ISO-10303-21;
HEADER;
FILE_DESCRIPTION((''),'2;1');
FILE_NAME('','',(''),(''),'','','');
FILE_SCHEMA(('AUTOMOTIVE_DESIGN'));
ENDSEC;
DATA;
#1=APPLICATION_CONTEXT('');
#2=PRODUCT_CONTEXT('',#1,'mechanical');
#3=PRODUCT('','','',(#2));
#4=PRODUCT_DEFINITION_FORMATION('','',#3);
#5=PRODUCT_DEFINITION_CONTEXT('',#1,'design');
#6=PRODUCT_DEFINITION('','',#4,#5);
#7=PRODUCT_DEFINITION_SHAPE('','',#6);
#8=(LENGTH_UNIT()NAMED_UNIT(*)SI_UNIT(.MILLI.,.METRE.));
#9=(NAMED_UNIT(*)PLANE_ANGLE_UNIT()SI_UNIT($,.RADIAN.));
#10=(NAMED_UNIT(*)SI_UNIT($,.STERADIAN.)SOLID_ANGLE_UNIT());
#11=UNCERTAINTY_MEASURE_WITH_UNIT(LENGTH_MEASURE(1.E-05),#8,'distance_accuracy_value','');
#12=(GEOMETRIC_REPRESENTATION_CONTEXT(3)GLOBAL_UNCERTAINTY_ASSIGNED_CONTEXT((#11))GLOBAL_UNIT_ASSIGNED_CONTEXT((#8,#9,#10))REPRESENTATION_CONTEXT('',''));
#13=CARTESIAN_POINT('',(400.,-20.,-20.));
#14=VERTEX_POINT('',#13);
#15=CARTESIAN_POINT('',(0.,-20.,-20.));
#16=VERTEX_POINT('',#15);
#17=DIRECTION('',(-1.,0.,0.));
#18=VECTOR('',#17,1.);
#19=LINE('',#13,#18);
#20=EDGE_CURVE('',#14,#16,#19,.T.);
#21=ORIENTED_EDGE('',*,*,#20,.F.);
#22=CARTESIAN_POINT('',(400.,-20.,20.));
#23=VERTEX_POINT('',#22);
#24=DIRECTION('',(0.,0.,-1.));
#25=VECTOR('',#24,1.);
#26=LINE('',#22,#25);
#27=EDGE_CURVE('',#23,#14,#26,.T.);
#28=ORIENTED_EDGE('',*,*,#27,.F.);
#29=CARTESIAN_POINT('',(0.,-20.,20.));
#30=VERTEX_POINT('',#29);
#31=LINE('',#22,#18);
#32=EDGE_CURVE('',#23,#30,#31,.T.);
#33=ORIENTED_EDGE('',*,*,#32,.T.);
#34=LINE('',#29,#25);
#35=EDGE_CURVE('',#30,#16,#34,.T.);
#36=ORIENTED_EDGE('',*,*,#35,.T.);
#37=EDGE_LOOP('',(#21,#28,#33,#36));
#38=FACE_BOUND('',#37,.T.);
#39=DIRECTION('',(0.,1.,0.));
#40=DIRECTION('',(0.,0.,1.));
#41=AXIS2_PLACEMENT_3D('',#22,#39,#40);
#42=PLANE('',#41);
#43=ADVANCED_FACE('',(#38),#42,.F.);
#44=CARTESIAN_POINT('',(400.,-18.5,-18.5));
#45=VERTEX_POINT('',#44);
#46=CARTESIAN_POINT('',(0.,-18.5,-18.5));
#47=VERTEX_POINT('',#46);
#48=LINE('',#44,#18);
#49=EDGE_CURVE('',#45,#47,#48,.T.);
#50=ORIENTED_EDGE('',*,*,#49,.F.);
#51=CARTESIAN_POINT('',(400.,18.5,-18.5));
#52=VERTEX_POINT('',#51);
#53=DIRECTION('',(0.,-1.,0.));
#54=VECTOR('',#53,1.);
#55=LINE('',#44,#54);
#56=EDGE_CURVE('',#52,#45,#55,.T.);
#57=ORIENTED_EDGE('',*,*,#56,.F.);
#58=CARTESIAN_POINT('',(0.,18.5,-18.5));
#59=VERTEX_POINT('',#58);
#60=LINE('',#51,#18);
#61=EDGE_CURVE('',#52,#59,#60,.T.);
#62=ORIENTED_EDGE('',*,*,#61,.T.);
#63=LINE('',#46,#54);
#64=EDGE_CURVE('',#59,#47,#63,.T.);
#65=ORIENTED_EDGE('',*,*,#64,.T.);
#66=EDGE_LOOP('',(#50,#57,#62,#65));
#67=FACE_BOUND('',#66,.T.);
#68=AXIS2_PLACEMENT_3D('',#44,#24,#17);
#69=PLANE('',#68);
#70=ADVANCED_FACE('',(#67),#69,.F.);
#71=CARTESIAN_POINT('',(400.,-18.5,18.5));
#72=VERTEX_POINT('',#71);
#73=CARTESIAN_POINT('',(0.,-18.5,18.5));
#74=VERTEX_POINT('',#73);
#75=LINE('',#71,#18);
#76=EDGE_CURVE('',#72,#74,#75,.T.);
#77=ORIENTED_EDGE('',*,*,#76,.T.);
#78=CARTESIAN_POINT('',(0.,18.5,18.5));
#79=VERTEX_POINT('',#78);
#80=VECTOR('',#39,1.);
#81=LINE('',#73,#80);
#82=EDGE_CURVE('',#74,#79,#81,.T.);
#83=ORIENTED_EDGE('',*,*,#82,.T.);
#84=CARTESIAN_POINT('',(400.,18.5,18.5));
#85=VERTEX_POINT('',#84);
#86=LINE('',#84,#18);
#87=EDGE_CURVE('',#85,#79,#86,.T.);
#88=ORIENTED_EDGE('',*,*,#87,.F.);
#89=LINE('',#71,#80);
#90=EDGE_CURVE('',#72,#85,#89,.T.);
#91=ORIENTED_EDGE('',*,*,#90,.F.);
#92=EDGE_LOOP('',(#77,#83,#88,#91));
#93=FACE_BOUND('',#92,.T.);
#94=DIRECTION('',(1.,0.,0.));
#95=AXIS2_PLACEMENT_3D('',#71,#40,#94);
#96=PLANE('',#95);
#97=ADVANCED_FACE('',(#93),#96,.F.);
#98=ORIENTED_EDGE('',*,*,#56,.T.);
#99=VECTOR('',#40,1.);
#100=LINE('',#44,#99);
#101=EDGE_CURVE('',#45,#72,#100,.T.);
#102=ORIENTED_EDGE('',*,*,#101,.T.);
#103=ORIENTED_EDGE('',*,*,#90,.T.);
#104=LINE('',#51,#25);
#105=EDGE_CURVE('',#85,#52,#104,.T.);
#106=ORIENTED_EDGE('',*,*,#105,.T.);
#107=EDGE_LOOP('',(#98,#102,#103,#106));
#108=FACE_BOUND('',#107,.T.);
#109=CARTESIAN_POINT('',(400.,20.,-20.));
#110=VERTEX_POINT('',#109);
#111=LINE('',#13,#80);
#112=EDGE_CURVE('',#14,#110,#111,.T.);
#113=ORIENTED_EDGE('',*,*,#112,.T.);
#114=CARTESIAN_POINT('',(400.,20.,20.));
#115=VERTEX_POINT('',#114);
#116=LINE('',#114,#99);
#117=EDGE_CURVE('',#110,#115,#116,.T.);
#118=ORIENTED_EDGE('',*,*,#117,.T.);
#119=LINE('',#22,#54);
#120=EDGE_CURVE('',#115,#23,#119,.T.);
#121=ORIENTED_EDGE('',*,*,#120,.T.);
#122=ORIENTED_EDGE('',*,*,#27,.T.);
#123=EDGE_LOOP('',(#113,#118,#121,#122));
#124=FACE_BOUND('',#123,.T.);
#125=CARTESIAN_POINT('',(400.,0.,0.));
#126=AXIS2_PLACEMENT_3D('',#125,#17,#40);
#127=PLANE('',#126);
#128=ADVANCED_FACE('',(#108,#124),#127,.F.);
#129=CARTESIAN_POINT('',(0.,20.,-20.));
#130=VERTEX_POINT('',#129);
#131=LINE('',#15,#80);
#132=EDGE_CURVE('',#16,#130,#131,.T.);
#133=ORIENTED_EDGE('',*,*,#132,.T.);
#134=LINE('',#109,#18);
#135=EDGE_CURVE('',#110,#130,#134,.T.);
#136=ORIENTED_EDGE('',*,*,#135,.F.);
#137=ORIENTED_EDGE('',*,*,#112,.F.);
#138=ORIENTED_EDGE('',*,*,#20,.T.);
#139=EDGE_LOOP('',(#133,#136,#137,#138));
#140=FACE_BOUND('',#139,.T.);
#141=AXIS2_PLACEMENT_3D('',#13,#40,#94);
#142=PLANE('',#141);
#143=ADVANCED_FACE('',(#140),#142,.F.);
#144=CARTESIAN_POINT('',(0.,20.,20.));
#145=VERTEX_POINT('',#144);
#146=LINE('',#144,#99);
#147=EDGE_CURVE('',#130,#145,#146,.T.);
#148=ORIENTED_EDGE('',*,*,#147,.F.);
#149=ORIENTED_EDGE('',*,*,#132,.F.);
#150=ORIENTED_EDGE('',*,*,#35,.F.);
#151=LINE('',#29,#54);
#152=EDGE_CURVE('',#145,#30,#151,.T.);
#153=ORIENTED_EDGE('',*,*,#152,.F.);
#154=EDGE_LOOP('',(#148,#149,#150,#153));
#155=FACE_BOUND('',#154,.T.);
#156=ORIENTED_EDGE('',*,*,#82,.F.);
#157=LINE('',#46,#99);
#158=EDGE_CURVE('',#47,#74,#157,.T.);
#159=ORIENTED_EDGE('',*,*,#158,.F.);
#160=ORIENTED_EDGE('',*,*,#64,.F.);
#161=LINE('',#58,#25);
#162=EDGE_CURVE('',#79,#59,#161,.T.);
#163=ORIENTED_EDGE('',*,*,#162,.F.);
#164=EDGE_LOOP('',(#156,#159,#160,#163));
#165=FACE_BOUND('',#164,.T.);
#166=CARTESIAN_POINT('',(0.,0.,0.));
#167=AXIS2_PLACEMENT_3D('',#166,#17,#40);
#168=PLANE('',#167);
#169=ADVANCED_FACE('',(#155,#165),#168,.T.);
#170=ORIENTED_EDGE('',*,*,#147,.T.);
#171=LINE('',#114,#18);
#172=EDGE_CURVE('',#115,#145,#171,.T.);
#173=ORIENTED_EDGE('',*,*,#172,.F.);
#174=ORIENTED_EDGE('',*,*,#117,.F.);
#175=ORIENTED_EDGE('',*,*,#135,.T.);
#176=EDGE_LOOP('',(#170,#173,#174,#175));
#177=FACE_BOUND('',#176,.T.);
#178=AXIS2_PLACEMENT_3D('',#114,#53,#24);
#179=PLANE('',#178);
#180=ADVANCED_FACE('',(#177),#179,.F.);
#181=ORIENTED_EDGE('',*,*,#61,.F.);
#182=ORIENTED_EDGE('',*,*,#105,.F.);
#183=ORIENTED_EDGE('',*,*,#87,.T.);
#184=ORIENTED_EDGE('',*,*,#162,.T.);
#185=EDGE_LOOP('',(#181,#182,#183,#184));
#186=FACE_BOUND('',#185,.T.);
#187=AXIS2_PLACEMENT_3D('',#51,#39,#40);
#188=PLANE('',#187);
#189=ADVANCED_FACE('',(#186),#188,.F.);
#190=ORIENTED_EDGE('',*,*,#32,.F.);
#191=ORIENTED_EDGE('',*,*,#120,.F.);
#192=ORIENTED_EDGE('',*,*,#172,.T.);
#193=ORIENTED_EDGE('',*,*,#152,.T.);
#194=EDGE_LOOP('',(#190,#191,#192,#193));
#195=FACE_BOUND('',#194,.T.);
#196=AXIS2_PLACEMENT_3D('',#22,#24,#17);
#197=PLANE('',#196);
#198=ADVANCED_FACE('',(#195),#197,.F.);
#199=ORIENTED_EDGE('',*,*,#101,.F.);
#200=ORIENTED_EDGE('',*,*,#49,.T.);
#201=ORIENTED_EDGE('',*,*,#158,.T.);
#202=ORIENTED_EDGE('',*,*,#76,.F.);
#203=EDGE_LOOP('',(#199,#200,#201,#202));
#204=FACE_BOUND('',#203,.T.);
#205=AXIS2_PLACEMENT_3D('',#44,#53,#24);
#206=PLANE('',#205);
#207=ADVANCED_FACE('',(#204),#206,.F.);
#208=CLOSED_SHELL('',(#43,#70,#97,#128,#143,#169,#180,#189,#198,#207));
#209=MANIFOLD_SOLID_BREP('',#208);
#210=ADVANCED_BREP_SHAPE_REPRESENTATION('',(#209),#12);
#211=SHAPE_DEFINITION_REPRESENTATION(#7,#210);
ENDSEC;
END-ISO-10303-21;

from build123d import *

# Parameters (mm, degrees)
ESBO_O1_W                = 40
ESBO_O1_H                = 40
RESSALTO_EXTRUS_O1_DEPTH = 400
ESBO_O2_W                = 37
ESBO_O2_H                = 37
CORTE_EXTRUS_O1_DEPTH    = 401


with BuildPart() as part:
    # Esboço1 → Ressalto-extrusão1 (new body)
    with BuildSketch(Plane(origin=(0, 0, 0), x_dir=(0, 0, -1), z_dir=(1, 0, 0))):
        Rectangle(ESBO_O1_W, ESBO_O1_H)
    extrude(amount=RESSALTO_EXTRUS_O1_DEPTH)

    # Esboço2 → Corte-extrusão1 (cut, through all)
    with BuildSketch(Plane.ZY):
        Rectangle(ESBO_O2_W, ESBO_O2_H)
    extrude(amount=-CORTE_EXTRUS_O1_DEPTH, mode=Mode.SUBTRACT)


solid = part.part
